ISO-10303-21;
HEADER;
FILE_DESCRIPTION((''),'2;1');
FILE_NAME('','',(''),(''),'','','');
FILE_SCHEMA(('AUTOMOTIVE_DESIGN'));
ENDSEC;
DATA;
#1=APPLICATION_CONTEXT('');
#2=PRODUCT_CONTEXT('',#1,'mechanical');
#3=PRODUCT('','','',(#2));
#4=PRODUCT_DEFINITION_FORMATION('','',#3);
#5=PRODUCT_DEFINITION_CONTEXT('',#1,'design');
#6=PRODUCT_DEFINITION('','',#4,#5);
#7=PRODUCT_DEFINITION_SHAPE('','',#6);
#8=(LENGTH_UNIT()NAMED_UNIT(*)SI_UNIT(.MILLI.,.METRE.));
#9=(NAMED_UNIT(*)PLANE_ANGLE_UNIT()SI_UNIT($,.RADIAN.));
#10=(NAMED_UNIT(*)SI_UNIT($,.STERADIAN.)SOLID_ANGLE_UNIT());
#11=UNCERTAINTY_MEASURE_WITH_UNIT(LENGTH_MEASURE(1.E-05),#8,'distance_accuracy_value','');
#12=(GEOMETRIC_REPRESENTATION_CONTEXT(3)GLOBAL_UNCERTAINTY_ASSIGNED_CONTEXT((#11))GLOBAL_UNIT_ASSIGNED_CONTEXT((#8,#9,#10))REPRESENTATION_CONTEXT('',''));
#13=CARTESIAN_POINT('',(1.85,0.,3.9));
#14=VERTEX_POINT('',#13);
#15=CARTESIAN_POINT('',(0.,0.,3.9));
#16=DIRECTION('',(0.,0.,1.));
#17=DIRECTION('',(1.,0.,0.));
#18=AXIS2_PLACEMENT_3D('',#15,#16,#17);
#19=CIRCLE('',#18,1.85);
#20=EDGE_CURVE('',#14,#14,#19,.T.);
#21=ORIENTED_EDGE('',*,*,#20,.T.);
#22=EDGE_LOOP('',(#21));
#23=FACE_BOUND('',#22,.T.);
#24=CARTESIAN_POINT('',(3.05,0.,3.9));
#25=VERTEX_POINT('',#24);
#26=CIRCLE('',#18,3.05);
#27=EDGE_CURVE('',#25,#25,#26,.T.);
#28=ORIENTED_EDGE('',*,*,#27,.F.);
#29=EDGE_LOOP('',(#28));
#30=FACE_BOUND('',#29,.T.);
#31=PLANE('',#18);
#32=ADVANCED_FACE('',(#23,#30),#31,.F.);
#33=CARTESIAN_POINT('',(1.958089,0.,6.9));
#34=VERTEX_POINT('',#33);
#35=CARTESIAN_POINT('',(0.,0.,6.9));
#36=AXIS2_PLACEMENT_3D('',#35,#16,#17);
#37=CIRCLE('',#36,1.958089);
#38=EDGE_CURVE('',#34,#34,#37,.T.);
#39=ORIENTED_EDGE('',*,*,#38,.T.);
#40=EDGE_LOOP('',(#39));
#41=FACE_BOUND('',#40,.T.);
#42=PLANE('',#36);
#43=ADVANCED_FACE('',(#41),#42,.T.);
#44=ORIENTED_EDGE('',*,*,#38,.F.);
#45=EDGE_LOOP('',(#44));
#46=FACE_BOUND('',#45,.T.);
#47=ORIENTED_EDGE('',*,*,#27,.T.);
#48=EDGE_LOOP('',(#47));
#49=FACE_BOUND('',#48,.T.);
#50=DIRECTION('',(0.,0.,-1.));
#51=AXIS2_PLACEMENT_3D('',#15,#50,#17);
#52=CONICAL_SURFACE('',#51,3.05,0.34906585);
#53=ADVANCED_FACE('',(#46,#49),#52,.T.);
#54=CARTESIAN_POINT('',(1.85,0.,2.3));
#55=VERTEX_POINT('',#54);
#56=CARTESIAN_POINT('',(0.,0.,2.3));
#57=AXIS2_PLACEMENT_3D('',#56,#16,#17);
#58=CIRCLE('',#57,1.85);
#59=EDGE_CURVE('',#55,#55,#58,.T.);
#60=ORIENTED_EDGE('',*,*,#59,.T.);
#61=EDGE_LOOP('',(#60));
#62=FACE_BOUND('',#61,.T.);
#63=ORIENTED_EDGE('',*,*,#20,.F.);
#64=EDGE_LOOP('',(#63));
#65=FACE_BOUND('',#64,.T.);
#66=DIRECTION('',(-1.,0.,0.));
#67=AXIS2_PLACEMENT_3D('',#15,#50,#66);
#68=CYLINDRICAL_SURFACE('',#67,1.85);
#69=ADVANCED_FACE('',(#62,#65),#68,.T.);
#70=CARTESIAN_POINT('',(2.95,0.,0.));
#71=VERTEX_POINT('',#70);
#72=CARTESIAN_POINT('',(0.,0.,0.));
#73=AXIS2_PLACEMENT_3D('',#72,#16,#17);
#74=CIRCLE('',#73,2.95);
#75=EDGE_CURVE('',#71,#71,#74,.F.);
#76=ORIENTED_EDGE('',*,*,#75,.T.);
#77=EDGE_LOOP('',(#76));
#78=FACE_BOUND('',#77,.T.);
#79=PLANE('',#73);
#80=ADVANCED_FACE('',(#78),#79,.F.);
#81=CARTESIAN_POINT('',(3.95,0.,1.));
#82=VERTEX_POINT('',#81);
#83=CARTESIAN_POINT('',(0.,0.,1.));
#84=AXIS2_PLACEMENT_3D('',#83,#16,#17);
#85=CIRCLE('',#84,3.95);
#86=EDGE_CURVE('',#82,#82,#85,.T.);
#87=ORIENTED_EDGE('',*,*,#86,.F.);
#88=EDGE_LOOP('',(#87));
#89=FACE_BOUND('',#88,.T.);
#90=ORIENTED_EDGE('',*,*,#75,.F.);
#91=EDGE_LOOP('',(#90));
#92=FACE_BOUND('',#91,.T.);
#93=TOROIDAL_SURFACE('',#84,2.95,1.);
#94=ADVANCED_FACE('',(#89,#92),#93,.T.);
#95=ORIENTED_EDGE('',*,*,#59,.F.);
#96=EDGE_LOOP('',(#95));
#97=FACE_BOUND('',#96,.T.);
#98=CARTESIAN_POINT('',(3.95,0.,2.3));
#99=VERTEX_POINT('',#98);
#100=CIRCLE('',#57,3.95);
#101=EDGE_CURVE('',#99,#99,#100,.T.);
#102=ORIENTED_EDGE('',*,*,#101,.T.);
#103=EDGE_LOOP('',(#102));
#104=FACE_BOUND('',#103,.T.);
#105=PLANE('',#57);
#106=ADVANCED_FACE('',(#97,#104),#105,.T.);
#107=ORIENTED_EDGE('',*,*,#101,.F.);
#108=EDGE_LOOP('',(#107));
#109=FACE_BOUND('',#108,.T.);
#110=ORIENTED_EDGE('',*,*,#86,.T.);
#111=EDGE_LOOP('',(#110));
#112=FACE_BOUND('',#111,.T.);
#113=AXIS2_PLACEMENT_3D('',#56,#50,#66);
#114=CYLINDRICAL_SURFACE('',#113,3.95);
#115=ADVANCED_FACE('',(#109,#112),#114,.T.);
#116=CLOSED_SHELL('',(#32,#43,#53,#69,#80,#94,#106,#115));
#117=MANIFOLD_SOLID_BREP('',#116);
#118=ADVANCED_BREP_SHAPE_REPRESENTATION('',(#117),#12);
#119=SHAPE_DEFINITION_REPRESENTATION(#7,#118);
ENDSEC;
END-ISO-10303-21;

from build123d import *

# Parameters (mm, degrees)
SKETCH_1_R      = 3.95
EXTRUDE_1_DEPTH = 2.3
SKETCH_2_R      = 1.85
EXTRUDE_2_DEPTH = 1.6
SKETCH_3_R      = 3.05
EXTRUDE_3_DEPTH = 3
DRAFT_7_ANGLE   = -20
FILLET_1_R      = 1


with BuildPart() as part:
    # 草图1 → 凸台-拉伸1 (new body)
    with BuildSketch(Plane.XY):
        Circle(SKETCH_1_R)
    extrude(amount=EXTRUDE_1_DEPTH)

    # 草图2 → 凸台-拉伸2 (add)
    with BuildSketch(Plane.XY.offset(2.3)):
        Circle(SKETCH_2_R)
    extrude(amount=EXTRUDE_2_DEPTH)

    # 草图3 → 凸台-拉伸3 (add)
    with BuildSketch(Plane.XY.offset(3.9)):
        Circle(SKETCH_3_R)
    extrude(amount=EXTRUDE_3_DEPTH)

    # 拔模7
    draft_7_faces = [part.faces().sort_by_distance(p)[0] for p in [
        (-3.05, 0, 5.4),
    ]]
    draft(draft_7_faces, Plane(origin=(0, 0, 3.9), x_dir=(-1, 0, 0), z_dir=(0, 0, -1)), DRAFT_7_ANGLE)

    # 圆角1
    fillet_1_edges = [part.edges().sort_by_distance(p)[0] for p in [
        (-3.95, 0, 0),
    ]]
    fillet(fillet_1_edges, radius=FILLET_1_R)


solid = part.part
